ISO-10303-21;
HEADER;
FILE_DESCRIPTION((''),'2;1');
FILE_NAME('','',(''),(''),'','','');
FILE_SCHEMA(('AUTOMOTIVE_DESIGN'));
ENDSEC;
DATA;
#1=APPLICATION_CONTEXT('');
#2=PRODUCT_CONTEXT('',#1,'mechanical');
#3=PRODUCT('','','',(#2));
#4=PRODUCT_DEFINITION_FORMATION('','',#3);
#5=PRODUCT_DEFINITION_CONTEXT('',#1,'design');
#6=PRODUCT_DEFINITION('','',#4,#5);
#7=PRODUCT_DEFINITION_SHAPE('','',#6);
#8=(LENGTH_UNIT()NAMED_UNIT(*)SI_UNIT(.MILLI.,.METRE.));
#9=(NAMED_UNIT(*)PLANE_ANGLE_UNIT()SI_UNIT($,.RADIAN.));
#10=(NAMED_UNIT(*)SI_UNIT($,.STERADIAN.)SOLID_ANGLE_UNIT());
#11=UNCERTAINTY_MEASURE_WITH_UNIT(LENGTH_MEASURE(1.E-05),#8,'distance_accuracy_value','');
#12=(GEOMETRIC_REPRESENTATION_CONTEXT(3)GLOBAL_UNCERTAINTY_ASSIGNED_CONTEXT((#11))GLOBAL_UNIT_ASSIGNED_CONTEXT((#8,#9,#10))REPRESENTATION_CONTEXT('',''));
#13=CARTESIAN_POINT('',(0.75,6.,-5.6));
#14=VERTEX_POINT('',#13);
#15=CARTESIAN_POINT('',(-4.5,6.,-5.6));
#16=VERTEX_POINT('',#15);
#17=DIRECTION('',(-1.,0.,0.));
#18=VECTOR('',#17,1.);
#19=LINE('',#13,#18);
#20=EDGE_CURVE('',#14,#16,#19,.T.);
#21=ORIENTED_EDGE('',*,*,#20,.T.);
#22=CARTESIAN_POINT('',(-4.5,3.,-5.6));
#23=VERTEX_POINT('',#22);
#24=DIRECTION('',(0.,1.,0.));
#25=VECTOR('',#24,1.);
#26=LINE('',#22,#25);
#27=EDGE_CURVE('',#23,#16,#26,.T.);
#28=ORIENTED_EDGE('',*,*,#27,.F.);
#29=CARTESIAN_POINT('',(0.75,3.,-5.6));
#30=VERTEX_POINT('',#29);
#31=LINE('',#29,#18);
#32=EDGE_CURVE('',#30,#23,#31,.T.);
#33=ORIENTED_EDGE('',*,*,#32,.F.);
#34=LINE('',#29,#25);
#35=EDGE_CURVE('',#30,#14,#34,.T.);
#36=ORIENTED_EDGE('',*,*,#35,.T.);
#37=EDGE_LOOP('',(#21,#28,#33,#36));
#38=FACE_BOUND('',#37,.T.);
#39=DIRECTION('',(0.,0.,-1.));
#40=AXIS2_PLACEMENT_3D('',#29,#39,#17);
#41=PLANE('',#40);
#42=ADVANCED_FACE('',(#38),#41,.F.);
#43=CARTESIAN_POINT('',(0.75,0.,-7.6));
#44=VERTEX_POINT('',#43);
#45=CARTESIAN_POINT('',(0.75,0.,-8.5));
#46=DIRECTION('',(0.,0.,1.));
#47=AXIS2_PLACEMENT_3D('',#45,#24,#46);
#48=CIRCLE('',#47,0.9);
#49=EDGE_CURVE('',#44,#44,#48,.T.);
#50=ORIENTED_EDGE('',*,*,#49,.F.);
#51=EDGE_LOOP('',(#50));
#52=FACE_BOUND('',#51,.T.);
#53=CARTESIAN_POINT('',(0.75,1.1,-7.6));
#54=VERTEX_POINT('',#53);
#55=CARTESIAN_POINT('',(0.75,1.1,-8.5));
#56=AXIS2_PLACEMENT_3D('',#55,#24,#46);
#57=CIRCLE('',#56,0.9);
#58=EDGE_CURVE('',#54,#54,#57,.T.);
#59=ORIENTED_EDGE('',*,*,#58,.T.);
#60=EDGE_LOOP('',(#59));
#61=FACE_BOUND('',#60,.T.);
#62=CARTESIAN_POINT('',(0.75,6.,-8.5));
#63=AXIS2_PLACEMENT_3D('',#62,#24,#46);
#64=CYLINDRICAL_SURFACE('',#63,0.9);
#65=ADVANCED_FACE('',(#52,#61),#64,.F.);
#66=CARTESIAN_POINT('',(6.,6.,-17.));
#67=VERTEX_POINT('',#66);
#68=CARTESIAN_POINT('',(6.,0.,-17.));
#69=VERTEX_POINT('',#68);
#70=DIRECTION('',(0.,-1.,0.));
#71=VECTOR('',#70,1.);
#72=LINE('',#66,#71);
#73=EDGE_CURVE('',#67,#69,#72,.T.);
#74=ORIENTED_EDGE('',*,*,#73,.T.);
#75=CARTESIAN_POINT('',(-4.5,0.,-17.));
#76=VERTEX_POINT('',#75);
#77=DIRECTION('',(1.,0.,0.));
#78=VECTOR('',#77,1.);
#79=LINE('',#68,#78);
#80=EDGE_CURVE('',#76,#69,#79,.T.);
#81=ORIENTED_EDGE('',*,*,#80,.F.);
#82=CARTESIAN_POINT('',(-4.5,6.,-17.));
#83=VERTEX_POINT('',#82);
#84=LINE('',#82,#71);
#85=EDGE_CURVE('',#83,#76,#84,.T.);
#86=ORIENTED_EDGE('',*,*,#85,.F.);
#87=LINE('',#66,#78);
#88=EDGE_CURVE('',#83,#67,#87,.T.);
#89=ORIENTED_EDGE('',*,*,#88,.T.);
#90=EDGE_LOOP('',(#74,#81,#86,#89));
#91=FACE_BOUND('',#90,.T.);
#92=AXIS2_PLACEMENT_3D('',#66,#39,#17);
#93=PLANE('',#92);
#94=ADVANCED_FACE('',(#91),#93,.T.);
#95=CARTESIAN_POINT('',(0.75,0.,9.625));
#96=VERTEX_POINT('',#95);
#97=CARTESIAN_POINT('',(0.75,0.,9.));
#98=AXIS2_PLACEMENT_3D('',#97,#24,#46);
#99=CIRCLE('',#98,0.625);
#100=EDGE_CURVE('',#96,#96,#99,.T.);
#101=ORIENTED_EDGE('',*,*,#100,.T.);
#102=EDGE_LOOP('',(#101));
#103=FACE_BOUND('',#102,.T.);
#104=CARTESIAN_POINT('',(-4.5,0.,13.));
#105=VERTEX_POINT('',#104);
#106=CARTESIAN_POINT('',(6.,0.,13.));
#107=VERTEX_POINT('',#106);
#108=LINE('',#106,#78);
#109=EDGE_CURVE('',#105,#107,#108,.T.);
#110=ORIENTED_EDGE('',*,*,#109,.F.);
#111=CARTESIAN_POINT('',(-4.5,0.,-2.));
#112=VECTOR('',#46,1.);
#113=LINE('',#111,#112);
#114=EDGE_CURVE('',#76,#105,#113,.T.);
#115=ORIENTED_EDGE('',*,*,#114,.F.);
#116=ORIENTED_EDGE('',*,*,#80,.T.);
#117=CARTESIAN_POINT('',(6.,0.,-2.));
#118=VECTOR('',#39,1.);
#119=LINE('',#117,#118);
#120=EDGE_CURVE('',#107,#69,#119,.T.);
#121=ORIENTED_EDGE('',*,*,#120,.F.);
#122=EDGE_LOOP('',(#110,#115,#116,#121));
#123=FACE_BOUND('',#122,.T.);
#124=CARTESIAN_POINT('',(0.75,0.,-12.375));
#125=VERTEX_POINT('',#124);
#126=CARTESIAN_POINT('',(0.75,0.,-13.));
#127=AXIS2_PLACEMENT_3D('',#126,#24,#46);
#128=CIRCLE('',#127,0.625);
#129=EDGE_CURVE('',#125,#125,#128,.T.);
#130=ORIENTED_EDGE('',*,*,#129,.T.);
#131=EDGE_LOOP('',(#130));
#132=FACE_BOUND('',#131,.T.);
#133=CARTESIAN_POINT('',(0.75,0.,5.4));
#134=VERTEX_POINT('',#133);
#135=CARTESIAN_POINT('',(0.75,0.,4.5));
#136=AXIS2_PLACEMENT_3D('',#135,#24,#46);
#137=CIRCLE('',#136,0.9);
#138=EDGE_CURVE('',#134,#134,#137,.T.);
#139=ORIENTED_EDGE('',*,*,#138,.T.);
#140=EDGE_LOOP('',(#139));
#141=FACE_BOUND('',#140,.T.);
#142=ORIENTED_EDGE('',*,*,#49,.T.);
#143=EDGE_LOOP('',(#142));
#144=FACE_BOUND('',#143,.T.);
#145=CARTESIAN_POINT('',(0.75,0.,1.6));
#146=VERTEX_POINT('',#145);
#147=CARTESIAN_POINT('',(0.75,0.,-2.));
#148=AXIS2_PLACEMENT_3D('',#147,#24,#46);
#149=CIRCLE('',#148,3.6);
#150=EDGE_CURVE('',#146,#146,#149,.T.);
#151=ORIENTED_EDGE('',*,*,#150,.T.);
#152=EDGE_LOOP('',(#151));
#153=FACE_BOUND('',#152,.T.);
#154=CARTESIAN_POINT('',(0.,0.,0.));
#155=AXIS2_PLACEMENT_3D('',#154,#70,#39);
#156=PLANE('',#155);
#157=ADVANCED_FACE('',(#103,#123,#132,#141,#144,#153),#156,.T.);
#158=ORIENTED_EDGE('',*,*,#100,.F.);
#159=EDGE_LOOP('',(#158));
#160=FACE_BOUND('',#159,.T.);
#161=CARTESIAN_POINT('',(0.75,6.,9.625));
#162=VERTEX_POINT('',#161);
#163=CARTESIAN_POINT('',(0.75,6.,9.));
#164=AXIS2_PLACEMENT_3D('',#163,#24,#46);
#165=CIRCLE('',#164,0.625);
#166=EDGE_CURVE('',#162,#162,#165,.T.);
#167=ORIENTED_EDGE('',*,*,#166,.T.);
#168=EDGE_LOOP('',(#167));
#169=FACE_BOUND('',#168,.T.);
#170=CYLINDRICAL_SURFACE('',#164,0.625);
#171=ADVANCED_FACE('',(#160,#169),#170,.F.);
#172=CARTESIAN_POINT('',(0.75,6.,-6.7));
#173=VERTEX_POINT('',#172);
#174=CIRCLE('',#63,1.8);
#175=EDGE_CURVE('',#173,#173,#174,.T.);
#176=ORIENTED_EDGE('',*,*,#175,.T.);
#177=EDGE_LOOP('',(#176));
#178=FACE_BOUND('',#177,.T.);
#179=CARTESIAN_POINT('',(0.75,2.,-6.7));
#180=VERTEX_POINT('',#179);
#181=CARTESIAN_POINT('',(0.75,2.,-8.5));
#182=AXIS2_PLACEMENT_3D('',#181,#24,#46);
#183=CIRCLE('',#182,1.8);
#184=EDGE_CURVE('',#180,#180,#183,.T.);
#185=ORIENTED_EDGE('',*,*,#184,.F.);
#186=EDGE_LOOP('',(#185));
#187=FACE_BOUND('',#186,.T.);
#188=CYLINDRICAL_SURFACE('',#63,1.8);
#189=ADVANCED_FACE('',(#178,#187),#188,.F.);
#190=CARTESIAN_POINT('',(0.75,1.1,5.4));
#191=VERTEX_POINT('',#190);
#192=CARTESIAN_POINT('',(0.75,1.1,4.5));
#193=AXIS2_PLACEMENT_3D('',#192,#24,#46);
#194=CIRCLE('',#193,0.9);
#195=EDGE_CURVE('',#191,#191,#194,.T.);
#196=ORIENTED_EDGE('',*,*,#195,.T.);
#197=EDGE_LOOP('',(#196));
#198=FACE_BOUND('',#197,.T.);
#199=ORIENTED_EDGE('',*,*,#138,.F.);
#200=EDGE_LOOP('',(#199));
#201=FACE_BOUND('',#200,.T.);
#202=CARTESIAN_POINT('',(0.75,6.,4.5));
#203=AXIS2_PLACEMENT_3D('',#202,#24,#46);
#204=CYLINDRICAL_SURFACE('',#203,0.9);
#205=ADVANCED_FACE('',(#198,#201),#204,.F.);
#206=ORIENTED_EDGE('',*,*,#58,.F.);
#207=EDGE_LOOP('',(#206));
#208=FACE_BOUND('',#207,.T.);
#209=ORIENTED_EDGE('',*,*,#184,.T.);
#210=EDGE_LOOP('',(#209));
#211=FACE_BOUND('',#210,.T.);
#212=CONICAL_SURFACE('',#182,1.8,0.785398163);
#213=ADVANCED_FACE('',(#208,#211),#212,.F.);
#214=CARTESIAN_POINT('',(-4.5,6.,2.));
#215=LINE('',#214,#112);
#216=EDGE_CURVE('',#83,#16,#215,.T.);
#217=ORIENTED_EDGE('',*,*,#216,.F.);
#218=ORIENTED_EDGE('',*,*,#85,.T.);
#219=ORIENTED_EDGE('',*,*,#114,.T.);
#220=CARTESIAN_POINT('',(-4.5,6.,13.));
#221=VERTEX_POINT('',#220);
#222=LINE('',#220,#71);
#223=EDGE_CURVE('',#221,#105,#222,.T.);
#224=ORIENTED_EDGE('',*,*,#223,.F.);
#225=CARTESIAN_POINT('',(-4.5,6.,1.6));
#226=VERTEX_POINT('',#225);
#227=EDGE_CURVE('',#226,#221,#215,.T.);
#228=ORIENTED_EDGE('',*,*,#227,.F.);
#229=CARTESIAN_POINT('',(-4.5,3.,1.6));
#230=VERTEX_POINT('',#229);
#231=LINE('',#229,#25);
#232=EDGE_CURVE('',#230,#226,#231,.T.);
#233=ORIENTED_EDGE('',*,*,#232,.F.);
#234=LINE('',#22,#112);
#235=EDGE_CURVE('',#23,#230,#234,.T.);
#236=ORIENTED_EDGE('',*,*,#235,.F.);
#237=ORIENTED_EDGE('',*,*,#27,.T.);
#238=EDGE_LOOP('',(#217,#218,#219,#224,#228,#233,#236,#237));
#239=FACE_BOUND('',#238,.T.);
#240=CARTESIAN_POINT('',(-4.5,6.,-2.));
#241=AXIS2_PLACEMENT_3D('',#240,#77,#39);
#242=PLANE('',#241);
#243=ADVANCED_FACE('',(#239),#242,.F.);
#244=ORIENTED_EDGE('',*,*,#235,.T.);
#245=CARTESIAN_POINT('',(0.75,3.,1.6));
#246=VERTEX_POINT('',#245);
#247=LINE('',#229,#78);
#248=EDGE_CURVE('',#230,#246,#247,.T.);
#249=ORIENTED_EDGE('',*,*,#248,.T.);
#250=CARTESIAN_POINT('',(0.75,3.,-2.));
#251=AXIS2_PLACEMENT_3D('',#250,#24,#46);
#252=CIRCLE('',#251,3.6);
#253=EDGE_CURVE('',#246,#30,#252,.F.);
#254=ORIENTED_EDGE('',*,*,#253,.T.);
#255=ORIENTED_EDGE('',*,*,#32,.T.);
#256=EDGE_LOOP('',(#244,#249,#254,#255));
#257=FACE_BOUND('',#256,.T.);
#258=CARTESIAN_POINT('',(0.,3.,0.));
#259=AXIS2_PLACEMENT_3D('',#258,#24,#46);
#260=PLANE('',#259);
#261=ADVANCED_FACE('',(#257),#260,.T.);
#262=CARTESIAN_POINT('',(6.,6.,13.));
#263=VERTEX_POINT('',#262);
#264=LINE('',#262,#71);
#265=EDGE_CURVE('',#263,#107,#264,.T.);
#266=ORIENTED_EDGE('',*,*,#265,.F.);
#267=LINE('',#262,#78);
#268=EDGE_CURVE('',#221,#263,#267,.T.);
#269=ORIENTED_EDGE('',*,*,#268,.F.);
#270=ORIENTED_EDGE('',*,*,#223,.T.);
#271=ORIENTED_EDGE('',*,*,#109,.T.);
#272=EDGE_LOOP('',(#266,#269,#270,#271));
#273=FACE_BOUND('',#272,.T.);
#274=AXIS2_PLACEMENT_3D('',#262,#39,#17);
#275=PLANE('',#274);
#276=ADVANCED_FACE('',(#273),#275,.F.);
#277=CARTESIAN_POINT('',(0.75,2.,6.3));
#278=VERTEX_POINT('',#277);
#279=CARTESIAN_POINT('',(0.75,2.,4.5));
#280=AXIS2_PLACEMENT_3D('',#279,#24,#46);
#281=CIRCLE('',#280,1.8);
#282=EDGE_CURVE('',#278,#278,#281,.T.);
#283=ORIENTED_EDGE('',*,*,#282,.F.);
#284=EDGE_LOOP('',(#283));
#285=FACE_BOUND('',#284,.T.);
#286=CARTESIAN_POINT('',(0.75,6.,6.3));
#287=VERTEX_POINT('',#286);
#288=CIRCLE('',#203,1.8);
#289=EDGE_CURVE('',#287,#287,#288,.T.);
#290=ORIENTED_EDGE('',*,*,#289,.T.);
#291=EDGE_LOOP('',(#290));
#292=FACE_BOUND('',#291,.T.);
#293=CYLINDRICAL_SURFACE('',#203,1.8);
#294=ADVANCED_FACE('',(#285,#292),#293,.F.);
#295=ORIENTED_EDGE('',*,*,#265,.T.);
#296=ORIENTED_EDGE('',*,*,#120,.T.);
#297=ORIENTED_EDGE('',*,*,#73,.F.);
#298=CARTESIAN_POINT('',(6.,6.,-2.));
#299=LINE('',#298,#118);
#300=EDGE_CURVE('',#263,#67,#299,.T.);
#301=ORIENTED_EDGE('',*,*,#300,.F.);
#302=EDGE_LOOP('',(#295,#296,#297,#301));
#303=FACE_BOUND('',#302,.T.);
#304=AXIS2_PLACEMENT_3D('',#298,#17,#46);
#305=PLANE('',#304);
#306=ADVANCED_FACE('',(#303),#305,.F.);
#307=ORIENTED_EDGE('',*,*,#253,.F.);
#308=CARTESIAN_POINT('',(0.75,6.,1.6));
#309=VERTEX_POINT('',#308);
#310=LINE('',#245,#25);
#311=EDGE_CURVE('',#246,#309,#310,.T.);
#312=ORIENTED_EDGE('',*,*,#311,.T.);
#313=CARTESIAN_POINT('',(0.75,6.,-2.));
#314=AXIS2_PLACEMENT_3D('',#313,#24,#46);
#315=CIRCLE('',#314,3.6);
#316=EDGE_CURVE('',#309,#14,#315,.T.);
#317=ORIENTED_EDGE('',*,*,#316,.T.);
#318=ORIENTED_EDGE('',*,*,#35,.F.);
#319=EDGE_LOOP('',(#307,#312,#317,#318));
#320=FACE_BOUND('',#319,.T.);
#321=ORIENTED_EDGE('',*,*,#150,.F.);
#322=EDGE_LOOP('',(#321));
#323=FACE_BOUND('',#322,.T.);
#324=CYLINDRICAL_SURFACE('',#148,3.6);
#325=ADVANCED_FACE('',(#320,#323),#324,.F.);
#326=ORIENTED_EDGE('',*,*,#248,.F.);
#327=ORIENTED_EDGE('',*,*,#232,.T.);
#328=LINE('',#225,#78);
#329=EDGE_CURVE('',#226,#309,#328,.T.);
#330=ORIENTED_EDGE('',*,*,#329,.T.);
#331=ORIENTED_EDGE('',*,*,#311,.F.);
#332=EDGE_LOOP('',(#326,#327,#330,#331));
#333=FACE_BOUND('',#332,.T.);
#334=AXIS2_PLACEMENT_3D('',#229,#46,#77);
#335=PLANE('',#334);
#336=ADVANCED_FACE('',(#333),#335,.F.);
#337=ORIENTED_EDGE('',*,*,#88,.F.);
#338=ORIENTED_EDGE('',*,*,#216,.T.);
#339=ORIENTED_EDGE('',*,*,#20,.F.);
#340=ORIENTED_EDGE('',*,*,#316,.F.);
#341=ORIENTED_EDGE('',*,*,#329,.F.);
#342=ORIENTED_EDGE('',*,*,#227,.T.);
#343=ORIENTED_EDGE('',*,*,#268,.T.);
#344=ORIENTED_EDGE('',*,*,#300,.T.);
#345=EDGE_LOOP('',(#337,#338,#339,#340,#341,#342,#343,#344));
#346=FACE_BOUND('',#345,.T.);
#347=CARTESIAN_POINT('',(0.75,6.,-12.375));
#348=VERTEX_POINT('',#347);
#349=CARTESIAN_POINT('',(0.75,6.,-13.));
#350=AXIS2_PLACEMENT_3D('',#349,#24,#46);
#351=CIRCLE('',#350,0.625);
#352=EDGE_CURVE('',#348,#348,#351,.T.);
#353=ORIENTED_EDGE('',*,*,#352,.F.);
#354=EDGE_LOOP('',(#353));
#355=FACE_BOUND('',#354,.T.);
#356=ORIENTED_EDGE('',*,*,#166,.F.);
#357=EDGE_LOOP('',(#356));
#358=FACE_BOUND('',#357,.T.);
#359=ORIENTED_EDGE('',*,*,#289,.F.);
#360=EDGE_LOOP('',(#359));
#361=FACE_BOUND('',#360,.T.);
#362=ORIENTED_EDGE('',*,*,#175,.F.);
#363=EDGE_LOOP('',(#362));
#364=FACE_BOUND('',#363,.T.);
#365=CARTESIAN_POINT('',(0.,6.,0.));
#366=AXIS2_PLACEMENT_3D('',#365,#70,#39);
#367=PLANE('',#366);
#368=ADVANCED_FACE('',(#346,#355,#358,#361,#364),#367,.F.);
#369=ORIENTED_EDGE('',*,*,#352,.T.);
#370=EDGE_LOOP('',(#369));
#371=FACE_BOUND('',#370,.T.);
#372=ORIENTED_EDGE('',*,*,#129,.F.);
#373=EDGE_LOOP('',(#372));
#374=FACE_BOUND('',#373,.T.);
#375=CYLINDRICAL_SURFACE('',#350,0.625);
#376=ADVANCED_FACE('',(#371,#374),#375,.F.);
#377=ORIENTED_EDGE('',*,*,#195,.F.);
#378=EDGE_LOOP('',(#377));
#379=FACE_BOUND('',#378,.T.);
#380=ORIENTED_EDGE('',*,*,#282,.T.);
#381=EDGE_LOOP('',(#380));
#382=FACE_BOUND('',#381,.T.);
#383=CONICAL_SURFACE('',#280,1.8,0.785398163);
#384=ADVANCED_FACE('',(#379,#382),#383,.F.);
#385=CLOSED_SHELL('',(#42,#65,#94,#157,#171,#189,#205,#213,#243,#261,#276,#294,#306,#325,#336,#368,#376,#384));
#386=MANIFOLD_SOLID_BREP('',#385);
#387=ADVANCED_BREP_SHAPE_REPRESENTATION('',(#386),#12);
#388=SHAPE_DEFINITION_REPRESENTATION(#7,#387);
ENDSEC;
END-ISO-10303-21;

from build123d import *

# Parameters (mm, degrees)
BOSS_EXTRUDE1_DEPTH = 6
M1_6_TAPPED_HOLE1_D = 1.25
SKETCH6_R           = 3.6
CUT_EXTRUDE1_DEPTH  = 20
SKETCH7_W           = 5.25
SKETCH7_H           = 7.2
CUT_EXTRUDE2_DEPTH  = 3


with BuildPart() as part:
    # Sketch1 → Boss-Extrude1 (new body)
    with BuildSketch(Plane(origin=(0, 0, 0), x_dir=(1, 0, 0), z_dir=(0, 1, 0))):
        Polygon((6, 2), (6, -13), (-4.5, -13), (-4.5, -2), (-4.5, 2), (1.5, 2), align=None)
    boss_extrude1 = extrude(amount=BOSS_EXTRUDE1_DEPTH)

    # Sketch3 → CSK SLOT for M1.6 Countersunk Flat Head Screw1 (revolve, cut)
    with BuildSketch(Plane(origin=(0.75, 6, 4.5), x_dir=(0, 0, 1), z_dir=(1, 0, 0))):
        Polygon((0, 0), (0, 6), (0.9, 6), (0.9, 4.9), (1.8, 4), (1.8, 0), align=None)
    csk_slot_for_m1_6_countersunk_flat_head = revolve(axis=Axis((0.75, 12.35, 4.5), (0, -1, 0)), mode=Mode.SUBTRACT)

    # M1.6 Tapped Hole1 (through all)
    with Locations(Plane(origin=(0, 6, 0), x_dir=(1, 0, 0), z_dir=(0, 1, 0))):
        with Locations((0.75, -9)):
            m1_6_tapped_hole1 = Hole(M1_6_TAPPED_HOLE1_D / 2)

    # Mirror1: Boss-Extrude1, CSK SLOT for M1.6 Countersunk Flat Head Screw1, M1.6 Tapped Hole1 across plane
    add(boss_extrude1.mirror(Plane(origin=(0, 0, -2), x_dir=(1, 0, 0), z_dir=(0, 0, -1))))
    add(csk_slot_for_m1_6_countersunk_flat_head.mirror(Plane(origin=(0, 0, -2), x_dir=(1, 0, 0), z_dir=(0, 0, -1))), mode=Mode.SUBTRACT)
    add(m1_6_tapped_hole1.mirror(Plane(origin=(0, 0, -2), x_dir=(1, 0, 0), z_dir=(0, 0, -1))), mode=Mode.SUBTRACT)

    # Sketch6 → Cut-Extrude1 (cut, through all)
    with BuildSketch(Plane(origin=(0, 6, 0), x_dir=(1, 0, 0), z_dir=(0, 1, 0))):
        with Locations(Location((0.75, 2, 0), (0, 0, 270))):
            Circle(SKETCH6_R)
    extrude(amount=-CUT_EXTRUDE1_DEPTH, mode=Mode.SUBTRACT)

    # Sketch7 → Cut-Extrude2 (cut)
    with BuildSketch(Plane(origin=(0, 6, 0), x_dir=(1, 0, 0), z_dir=(0, 1, 0))):
        with Locations((-1.875, 2)):
            Rectangle(SKETCH7_W, SKETCH7_H)
    extrude(amount=-CUT_EXTRUDE2_DEPTH, mode=Mode.SUBTRACT)


solid = part.part
